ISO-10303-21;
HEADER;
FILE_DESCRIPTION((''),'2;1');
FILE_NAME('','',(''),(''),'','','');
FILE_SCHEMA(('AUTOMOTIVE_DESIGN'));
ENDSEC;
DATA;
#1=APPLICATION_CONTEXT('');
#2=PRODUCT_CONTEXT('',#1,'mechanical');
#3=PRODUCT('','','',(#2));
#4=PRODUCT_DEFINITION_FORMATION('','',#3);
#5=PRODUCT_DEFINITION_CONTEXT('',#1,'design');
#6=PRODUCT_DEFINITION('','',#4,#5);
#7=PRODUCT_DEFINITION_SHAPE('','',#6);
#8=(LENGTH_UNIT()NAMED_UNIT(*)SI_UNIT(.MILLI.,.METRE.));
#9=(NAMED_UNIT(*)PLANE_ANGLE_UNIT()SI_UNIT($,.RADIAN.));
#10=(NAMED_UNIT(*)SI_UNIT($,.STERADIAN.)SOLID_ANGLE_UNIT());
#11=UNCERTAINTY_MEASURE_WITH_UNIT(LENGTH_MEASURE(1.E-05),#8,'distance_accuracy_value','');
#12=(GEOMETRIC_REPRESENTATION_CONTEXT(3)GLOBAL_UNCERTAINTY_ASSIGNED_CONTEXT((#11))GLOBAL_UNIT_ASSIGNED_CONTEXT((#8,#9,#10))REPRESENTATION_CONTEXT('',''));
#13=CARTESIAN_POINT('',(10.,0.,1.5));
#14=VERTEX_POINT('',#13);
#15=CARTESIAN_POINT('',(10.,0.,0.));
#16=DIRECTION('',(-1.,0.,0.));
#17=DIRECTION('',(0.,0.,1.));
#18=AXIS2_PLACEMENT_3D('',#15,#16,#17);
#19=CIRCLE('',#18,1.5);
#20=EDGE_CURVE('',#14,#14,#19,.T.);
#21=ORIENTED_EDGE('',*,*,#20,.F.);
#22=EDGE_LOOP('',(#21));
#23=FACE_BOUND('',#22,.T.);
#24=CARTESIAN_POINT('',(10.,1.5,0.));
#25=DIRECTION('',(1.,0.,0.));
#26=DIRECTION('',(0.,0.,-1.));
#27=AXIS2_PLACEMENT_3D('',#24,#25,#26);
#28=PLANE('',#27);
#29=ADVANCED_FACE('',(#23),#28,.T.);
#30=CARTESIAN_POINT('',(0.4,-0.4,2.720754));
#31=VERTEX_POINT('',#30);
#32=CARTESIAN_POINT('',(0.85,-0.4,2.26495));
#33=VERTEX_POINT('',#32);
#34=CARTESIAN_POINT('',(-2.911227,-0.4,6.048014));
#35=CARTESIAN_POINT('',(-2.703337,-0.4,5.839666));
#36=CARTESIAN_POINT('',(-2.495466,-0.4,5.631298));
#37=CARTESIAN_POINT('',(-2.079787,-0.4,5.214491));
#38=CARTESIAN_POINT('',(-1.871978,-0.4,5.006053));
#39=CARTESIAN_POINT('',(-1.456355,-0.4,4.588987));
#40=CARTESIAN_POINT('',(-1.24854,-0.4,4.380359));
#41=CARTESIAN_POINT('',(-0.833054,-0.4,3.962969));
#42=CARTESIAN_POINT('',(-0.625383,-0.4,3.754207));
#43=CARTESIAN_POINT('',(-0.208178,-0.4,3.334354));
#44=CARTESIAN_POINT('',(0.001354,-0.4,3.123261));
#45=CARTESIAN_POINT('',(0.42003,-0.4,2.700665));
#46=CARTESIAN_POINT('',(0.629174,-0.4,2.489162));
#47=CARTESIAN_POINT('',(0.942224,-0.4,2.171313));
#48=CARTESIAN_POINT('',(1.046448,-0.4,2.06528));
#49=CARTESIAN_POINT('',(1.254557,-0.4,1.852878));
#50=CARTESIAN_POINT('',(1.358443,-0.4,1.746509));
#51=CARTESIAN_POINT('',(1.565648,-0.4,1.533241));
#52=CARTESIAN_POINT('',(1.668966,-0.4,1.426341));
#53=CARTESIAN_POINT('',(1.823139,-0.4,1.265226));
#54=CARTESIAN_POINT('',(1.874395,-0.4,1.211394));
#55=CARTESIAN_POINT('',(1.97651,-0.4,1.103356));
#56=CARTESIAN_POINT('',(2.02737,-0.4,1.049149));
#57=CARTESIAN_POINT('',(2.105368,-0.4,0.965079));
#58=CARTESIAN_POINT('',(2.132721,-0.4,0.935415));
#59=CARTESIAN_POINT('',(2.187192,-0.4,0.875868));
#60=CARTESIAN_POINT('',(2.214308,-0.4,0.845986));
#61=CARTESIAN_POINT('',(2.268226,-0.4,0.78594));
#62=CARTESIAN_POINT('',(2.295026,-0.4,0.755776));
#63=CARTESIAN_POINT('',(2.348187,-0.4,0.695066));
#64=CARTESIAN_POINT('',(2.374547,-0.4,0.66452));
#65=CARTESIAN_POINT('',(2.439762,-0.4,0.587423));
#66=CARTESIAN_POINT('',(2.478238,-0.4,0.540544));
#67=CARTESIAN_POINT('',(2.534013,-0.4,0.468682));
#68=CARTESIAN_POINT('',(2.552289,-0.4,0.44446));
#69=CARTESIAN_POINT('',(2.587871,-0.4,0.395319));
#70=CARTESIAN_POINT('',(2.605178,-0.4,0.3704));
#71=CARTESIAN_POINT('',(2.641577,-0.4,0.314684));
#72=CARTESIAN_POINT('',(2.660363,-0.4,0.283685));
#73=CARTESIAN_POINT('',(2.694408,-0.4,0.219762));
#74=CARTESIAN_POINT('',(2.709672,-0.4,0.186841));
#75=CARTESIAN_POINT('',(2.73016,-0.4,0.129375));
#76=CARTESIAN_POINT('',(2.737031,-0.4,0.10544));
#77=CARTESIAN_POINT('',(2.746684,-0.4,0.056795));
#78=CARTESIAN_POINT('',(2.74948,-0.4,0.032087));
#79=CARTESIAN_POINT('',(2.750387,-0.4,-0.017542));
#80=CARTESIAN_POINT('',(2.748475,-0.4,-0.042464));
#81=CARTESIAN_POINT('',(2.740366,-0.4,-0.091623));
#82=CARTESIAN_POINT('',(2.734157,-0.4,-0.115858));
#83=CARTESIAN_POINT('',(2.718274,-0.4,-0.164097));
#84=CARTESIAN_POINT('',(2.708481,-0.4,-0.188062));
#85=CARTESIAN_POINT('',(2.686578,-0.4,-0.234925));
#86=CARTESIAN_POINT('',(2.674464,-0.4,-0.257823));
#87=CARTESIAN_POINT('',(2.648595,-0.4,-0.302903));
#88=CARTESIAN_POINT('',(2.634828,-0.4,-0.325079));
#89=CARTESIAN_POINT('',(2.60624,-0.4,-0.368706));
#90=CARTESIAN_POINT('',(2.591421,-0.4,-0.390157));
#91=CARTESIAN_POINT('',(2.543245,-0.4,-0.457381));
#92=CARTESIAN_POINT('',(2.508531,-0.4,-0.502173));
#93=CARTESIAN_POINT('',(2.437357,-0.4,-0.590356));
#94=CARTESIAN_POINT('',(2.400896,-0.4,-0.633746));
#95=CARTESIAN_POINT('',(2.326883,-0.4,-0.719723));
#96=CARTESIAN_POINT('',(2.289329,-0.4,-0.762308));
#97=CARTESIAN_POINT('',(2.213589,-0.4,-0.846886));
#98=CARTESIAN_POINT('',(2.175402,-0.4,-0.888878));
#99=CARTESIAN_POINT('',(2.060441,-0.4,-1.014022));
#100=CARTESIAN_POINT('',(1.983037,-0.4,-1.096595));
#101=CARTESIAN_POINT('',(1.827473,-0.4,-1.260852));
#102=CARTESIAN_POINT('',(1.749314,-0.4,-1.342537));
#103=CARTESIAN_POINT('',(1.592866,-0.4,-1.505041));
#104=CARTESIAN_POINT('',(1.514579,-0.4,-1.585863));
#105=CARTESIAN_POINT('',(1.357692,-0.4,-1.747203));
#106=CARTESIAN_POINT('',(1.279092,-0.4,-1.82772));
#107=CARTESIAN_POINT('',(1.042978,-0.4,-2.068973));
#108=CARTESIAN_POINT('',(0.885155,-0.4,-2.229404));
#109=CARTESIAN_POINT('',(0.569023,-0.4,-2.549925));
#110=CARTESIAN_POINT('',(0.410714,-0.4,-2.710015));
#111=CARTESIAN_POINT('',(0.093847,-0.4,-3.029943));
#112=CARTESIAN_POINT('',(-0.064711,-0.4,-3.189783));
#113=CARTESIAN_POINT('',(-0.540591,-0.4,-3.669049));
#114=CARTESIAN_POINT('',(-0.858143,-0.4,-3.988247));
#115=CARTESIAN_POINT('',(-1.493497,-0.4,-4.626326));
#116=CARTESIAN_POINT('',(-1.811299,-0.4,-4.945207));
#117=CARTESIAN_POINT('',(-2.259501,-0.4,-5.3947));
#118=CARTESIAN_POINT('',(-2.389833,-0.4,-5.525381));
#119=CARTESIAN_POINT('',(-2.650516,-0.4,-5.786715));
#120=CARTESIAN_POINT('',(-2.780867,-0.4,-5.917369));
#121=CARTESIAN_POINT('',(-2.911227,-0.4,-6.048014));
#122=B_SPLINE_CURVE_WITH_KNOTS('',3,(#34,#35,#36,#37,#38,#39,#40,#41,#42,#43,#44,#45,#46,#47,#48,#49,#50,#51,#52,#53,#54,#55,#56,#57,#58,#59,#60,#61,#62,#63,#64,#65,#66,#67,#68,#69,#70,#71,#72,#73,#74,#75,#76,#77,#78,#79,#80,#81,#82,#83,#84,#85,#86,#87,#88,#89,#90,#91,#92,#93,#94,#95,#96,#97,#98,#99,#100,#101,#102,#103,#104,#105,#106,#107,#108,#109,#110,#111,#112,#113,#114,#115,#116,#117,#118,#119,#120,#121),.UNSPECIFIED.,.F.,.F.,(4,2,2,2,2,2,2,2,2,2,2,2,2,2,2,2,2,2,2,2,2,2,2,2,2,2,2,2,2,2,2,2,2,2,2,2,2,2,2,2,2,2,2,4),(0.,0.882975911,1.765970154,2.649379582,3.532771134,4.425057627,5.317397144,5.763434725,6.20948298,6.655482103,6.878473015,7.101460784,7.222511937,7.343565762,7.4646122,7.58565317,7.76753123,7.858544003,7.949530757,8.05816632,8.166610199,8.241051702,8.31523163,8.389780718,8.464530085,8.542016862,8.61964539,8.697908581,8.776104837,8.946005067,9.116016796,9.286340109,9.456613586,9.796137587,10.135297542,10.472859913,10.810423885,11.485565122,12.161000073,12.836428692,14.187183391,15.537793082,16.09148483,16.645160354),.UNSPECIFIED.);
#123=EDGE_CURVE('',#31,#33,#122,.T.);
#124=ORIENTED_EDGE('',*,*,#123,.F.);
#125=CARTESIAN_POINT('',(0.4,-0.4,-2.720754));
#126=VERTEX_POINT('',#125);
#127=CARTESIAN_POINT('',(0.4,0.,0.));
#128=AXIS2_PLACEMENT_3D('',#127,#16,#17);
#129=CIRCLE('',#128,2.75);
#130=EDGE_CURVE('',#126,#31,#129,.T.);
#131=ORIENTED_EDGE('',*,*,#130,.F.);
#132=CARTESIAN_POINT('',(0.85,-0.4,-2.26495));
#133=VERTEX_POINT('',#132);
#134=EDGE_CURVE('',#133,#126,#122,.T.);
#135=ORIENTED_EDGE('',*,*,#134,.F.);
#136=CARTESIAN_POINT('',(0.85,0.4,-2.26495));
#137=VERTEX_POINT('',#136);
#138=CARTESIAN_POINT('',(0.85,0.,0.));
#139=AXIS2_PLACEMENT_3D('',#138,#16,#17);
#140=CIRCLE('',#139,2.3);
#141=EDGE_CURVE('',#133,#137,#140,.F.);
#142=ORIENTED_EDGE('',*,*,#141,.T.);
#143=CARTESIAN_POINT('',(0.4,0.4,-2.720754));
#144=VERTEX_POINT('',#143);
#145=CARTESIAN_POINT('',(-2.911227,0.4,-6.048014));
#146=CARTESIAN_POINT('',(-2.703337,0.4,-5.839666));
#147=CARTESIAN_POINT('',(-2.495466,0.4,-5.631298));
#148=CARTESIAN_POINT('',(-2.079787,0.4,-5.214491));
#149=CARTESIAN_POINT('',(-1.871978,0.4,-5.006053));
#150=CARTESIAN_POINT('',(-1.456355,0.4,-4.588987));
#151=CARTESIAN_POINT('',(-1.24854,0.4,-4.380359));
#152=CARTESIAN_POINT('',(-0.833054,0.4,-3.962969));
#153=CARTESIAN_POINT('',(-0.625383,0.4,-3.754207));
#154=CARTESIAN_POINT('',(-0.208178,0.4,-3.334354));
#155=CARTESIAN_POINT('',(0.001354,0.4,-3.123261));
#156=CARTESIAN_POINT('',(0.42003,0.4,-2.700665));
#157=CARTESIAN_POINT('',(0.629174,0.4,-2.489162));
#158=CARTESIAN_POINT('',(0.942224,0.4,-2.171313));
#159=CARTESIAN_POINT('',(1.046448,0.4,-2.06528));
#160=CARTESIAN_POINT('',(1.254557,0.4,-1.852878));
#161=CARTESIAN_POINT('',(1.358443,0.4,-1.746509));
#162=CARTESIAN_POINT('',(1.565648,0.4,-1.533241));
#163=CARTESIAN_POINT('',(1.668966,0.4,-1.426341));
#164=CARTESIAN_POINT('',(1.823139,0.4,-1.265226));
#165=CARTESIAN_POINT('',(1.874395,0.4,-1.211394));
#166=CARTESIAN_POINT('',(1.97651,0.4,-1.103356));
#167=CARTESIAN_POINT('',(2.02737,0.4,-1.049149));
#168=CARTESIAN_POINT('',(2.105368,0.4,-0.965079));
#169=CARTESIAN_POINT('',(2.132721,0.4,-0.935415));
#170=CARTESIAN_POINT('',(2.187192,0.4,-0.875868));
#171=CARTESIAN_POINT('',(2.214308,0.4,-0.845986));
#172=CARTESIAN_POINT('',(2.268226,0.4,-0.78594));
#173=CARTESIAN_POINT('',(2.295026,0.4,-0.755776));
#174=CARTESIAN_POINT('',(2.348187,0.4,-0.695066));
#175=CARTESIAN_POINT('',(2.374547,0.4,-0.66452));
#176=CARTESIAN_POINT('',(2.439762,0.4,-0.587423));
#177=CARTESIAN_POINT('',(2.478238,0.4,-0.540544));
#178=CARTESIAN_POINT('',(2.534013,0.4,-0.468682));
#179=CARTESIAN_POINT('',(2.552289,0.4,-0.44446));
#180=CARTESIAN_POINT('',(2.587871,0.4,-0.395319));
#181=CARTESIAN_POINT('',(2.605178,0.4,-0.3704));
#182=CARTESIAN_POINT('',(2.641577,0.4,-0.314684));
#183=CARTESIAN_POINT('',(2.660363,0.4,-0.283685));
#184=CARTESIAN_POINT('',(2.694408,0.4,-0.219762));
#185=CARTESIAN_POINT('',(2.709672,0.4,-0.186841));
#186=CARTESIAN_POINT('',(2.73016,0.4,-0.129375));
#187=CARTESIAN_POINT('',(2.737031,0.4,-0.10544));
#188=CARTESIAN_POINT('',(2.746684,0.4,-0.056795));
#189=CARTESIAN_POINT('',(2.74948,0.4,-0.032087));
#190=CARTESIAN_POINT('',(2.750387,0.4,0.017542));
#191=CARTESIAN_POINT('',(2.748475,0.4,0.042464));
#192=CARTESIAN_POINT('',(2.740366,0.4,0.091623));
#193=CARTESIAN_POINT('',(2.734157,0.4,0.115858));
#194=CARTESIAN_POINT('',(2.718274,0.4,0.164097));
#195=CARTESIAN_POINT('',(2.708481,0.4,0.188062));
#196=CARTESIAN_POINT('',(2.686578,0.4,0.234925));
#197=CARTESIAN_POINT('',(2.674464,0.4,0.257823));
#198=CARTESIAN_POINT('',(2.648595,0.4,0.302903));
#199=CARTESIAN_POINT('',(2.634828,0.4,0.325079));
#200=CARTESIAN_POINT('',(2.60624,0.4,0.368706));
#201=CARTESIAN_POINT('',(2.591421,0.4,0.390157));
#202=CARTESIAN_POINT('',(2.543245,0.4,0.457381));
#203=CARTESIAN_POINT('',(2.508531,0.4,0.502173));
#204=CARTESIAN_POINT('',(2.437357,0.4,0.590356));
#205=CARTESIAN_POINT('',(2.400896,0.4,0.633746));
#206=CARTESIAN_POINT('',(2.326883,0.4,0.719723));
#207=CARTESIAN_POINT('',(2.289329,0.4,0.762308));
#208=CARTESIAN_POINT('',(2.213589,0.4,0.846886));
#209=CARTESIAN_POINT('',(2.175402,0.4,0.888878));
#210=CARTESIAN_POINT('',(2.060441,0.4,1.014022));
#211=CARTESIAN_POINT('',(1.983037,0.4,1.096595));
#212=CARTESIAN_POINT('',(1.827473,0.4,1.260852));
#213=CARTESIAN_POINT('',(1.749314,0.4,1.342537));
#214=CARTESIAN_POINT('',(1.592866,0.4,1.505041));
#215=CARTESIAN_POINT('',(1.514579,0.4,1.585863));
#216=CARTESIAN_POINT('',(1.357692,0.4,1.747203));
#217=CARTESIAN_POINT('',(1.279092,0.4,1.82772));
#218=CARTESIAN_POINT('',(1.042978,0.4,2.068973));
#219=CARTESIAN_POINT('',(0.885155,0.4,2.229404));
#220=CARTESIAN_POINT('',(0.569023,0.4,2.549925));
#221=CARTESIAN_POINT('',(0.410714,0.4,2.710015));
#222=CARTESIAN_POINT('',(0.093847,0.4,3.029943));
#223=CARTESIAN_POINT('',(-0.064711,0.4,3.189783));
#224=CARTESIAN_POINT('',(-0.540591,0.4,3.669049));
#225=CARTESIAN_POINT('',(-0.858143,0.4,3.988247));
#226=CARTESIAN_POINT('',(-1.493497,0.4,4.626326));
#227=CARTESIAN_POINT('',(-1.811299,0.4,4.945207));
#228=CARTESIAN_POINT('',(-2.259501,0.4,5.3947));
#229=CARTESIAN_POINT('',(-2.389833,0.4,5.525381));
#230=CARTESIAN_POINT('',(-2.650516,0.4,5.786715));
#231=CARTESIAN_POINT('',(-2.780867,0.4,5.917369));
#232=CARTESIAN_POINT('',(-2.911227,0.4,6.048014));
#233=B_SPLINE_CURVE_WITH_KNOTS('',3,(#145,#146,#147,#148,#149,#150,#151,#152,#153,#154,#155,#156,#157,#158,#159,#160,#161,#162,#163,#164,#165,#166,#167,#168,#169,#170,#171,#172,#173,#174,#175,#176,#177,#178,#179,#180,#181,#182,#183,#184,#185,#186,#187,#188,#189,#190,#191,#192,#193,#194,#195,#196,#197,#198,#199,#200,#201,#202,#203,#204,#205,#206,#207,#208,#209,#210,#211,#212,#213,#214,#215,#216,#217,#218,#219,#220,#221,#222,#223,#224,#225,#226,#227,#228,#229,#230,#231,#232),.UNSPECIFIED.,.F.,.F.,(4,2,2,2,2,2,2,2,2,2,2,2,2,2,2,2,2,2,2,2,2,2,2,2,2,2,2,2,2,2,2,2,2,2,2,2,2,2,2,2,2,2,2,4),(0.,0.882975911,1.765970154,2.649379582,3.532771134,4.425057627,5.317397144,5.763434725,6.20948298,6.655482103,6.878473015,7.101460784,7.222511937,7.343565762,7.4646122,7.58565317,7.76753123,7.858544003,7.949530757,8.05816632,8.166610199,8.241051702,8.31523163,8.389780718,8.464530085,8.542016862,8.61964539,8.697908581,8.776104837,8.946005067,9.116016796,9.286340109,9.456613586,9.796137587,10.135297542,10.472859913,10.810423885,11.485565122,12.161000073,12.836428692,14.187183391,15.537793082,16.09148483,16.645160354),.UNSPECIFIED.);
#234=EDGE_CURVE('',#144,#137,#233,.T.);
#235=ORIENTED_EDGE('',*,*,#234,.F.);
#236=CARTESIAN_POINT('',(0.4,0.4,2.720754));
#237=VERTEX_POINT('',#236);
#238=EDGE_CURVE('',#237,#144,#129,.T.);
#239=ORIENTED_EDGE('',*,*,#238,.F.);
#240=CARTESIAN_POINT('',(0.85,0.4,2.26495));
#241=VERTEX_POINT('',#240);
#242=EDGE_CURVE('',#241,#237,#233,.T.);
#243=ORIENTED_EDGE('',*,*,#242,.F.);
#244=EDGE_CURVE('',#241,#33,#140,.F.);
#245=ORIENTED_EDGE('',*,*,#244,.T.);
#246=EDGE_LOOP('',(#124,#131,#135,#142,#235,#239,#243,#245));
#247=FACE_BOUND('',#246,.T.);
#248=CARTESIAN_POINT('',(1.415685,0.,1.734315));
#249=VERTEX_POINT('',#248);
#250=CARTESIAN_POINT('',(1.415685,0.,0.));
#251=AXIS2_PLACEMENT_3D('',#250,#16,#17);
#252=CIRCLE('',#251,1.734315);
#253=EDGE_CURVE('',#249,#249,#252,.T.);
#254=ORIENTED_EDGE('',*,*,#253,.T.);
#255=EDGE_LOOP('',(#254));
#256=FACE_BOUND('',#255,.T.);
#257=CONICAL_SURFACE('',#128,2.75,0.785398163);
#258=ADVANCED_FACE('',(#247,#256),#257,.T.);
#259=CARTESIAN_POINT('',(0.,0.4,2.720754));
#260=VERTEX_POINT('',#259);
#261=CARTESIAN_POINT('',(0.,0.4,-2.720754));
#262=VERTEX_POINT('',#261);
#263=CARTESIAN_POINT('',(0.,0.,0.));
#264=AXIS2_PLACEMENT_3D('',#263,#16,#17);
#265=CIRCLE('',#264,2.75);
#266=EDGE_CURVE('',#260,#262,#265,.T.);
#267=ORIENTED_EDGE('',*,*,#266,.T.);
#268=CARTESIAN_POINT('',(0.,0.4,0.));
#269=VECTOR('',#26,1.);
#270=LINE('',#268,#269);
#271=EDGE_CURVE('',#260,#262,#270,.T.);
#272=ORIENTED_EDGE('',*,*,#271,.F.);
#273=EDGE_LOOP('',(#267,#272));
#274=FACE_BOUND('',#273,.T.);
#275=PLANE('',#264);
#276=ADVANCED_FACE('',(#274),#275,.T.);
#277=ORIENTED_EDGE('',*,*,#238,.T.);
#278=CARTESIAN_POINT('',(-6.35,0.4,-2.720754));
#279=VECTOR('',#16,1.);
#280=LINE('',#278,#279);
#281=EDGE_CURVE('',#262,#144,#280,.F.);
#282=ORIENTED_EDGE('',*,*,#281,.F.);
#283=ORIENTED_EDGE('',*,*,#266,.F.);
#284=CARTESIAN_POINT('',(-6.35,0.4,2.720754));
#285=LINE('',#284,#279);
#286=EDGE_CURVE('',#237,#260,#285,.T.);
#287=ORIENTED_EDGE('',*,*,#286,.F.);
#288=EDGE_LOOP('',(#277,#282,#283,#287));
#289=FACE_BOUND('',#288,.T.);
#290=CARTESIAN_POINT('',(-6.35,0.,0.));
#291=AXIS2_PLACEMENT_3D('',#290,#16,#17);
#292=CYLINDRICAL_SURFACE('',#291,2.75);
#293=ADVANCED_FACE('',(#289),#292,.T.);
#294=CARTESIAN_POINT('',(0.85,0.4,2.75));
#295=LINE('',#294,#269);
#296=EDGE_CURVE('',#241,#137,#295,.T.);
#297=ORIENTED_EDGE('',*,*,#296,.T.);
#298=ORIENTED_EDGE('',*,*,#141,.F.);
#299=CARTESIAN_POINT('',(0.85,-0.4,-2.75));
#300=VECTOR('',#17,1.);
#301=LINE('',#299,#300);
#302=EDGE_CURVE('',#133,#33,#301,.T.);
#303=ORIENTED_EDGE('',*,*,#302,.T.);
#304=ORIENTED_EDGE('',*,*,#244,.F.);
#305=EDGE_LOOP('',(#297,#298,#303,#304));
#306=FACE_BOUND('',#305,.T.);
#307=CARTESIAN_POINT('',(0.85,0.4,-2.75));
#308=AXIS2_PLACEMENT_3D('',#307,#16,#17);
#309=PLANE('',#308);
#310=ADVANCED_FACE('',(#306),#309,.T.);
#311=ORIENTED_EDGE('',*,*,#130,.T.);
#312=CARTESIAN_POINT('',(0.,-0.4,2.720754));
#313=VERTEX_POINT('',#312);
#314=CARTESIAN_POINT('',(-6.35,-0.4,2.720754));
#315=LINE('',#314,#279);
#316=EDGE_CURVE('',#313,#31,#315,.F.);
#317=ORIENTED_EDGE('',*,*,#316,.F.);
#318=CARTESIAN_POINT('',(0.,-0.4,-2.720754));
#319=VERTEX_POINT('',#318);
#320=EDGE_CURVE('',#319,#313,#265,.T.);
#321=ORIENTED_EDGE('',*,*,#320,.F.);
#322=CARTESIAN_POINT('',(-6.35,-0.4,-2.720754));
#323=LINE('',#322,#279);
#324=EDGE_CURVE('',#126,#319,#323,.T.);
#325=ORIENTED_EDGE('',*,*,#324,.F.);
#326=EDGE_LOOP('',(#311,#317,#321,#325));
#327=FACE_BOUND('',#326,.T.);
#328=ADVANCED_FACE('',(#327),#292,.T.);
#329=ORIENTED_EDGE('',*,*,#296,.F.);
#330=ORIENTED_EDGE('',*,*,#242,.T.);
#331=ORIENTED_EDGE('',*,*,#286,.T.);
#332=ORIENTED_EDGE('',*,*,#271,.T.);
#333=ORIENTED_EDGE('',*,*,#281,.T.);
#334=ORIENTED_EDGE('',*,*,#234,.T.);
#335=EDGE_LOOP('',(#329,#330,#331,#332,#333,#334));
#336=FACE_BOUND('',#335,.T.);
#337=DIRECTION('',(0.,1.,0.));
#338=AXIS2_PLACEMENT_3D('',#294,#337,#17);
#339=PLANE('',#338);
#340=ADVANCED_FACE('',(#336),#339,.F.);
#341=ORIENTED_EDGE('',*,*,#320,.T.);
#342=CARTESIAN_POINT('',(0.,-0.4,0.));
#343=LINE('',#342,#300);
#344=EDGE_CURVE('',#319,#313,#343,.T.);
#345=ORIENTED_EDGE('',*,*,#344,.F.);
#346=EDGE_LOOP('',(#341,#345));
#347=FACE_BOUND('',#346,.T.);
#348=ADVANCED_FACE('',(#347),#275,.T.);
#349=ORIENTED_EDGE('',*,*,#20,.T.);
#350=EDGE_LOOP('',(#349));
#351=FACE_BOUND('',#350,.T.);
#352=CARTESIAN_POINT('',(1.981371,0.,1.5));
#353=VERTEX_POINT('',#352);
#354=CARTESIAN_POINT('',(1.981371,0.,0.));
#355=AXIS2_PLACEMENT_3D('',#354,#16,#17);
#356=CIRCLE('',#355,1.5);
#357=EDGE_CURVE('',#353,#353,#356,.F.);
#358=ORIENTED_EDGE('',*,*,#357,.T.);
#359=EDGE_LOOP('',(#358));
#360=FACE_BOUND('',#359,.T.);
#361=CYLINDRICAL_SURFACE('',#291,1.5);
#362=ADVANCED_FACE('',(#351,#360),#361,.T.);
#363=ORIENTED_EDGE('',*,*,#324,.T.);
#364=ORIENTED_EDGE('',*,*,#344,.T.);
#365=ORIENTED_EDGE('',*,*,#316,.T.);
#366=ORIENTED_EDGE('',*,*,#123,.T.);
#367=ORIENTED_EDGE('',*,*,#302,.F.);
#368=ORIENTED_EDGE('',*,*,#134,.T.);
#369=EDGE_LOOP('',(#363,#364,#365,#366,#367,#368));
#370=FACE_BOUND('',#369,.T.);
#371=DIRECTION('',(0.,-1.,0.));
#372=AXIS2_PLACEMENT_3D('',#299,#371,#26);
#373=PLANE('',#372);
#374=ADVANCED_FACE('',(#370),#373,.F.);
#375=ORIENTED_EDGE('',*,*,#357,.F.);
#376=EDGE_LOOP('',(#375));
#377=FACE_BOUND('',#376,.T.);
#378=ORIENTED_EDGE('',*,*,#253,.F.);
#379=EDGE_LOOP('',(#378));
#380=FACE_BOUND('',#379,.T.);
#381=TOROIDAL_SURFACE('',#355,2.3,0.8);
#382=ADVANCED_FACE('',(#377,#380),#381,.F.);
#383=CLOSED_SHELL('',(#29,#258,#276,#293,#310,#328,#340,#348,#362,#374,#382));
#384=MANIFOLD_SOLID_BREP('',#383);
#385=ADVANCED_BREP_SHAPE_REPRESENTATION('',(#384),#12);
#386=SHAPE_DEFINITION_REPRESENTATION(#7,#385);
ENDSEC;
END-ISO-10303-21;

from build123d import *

# Parameters (mm, degrees)
FILLET1_R  = 0.8
SKETCH2_W  = 5.5
SKETCH2_H  = 0.8
SLOT_DEPTH = 0.85


with BuildPart() as part:
    # BodySke → Base-Revolve (revolve)
    with BuildSketch(Plane.XY, mode=Mode.PRIVATE) as base_revolve_sk:
        Polygon((0, 0), (0, 2.75), (0.4, 2.75), (1.65, 1.5), (10, 1.5), (10, 0), align=None)
    revolve(base_revolve_sk.sketch.rotate(Axis((-6.35, 0, 0), (1, 0, 0)), 90), axis=Axis((-6.35, 0, 0), (1, 0, 0)))  # turned: the seam where the file's is

    # Fillet1
    fillet1_edges = [part.edges().sort_by_distance(p)[0] for p in [
        (1.65, 0, -1.5),
    ]]
    fillet(fillet1_edges, radius=FILLET1_R)

    # Sketch2 → Slot (cut)
    with BuildSketch(Plane.ZY):
        Rectangle(SKETCH2_W, SKETCH2_H)
    extrude(amount=-SLOT_DEPTH, mode=Mode.SUBTRACT)


solid = part.part
